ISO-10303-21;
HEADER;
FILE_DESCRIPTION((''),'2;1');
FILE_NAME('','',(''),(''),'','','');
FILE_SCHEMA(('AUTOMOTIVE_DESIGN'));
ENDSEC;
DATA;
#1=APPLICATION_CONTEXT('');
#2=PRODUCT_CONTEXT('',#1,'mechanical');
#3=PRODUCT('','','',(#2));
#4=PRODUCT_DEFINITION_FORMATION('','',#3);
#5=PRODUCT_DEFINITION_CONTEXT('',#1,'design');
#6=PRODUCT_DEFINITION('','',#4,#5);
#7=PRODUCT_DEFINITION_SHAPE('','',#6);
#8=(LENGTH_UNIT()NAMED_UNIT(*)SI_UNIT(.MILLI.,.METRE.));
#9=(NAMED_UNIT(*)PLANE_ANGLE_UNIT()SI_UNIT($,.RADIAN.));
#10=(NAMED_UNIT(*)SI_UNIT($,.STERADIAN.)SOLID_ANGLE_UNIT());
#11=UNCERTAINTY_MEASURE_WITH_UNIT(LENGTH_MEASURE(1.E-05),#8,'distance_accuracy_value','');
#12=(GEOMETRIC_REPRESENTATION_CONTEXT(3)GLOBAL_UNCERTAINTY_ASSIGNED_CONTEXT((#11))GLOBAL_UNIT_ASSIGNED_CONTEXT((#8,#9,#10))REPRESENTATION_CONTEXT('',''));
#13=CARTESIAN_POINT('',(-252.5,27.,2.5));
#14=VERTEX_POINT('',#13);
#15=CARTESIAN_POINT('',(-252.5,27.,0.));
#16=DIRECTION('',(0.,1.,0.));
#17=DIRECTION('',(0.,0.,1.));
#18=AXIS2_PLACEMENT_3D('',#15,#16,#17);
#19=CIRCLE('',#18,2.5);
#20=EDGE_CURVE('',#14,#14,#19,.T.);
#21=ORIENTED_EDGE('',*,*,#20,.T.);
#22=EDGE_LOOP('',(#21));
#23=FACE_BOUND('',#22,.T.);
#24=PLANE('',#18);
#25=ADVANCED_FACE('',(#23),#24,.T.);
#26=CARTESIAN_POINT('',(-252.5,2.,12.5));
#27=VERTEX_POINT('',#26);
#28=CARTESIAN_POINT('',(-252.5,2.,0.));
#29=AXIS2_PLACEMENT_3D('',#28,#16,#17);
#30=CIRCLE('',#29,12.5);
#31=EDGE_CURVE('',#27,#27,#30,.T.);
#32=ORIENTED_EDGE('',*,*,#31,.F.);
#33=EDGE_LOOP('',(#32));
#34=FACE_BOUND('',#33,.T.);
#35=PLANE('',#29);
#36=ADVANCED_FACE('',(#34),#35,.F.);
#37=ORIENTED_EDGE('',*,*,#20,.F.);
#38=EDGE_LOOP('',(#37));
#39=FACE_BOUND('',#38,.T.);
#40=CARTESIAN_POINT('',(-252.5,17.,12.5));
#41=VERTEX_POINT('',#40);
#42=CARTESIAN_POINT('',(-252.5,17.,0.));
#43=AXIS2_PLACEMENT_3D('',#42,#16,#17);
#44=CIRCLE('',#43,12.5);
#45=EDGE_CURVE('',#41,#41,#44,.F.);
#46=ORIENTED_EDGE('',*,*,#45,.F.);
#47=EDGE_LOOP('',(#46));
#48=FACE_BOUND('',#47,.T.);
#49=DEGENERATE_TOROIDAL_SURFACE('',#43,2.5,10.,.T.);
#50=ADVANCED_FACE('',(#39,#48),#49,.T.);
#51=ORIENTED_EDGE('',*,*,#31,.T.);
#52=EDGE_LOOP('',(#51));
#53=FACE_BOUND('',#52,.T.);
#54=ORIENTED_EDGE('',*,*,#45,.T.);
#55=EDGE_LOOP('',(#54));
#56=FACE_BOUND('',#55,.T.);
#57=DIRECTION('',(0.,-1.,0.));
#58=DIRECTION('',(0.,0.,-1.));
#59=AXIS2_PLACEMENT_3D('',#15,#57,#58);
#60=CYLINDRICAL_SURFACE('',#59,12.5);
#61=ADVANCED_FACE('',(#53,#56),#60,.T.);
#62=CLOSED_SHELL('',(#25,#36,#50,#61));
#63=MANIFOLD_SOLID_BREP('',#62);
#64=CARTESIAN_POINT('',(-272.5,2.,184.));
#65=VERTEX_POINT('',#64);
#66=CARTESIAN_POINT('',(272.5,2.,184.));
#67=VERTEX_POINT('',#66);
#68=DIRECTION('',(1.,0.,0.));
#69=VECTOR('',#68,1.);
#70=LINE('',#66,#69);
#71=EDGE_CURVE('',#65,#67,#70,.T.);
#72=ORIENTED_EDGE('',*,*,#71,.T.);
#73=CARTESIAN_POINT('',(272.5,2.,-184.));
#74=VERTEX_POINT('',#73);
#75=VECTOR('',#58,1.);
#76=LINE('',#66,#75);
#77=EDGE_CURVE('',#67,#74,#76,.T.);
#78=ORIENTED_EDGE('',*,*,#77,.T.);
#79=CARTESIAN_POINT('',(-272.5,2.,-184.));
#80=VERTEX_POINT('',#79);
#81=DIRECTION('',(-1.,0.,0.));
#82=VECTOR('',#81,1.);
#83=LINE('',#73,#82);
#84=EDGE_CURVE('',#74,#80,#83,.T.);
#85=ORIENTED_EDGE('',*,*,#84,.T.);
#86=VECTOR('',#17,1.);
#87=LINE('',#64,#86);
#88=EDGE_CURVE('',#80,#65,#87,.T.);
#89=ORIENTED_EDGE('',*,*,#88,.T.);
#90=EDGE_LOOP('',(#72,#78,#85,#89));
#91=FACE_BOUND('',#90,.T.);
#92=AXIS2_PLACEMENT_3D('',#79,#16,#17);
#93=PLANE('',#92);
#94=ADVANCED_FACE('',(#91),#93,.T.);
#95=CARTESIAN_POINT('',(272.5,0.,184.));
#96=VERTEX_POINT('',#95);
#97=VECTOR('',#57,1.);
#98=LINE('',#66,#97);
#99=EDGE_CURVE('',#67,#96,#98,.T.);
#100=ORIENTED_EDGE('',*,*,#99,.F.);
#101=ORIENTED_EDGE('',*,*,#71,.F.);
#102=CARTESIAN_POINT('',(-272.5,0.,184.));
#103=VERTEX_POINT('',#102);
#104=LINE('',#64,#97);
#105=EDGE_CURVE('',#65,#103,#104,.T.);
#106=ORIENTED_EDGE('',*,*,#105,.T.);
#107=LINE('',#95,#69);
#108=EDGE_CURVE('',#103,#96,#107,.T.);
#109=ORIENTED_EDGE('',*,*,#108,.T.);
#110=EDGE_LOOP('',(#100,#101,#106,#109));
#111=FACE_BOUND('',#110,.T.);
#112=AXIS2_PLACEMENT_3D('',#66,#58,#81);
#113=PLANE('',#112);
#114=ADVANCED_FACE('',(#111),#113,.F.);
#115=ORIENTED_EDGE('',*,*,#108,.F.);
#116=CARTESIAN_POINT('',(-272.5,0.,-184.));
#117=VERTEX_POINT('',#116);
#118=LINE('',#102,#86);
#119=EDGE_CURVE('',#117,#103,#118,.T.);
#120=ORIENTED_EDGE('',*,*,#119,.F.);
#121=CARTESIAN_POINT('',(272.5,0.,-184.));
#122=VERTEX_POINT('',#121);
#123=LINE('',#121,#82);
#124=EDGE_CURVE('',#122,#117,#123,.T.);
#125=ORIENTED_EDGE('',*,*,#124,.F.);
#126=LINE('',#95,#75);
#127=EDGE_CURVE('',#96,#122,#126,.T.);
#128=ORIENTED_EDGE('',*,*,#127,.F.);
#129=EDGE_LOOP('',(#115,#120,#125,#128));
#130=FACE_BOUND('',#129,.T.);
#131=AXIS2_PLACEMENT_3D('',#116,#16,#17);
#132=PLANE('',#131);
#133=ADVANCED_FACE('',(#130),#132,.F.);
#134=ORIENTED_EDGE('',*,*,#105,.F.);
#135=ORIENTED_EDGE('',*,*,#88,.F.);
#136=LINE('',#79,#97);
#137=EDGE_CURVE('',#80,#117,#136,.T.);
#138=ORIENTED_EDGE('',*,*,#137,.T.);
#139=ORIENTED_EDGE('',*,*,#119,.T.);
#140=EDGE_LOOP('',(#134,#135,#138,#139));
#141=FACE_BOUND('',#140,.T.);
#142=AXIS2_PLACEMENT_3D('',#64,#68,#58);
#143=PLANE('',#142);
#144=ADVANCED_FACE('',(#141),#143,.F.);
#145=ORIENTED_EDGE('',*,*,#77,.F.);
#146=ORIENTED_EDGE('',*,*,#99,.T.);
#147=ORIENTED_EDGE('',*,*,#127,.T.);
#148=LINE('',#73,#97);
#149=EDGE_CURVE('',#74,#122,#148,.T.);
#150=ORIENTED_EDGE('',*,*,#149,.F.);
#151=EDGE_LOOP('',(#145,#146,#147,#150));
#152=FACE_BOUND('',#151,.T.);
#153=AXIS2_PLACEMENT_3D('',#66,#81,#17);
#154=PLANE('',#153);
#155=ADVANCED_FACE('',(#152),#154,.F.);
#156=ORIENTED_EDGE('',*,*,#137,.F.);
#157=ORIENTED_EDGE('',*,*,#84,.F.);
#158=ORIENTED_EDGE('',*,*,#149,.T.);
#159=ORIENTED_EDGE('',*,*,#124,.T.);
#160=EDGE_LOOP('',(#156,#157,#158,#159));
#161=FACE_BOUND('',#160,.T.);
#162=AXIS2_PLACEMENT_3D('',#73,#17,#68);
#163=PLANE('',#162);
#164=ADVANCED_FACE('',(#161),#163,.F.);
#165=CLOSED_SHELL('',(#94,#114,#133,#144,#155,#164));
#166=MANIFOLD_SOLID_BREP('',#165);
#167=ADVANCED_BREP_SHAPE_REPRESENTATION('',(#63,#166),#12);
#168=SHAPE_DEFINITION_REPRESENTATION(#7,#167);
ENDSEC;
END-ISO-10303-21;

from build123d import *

# Parameters (mm, degrees)
CROQUIS1_W     = 545
CROQUIS1_H     = 368
EXTRUIR1_DEPTH = 2
CROQUIS2_R     = 12.5
EXTRUIR2_DEPTH = 25
REDONDEO1_R    = 10


with BuildPart() as part:
    # Croquis1 → Extruir1 (new body)
    with BuildSketch(Plane(origin=(0, 0, 0), x_dir=(1, 0, 0), z_dir=(0, 1, 0))):
        Rectangle(CROQUIS1_W, CROQUIS1_H)
    extrude(amount=EXTRUIR1_DEPTH)


with BuildPart() as body_2:
    # Croquis2 → Extruir2 (new body)
    with BuildSketch(Plane(origin=(0, 2, 0), x_dir=(1, 0, 0), z_dir=(0, 1, 0))):
        with Locations(Location((-252.5, 0, 0), (0, 0, 270))):
            Circle(CROQUIS2_R)
    extrude(amount=EXTRUIR2_DEPTH)

    # Redondeo1
    redondeo1_edges = [body_2.edges().sort_by_distance(p)[0] for p in [
        (-252.5, 27, -12.5),
    ]]
    fillet(redondeo1_edges, radius=REDONDEO1_R)


solid = Compound([part.part, body_2.part])
